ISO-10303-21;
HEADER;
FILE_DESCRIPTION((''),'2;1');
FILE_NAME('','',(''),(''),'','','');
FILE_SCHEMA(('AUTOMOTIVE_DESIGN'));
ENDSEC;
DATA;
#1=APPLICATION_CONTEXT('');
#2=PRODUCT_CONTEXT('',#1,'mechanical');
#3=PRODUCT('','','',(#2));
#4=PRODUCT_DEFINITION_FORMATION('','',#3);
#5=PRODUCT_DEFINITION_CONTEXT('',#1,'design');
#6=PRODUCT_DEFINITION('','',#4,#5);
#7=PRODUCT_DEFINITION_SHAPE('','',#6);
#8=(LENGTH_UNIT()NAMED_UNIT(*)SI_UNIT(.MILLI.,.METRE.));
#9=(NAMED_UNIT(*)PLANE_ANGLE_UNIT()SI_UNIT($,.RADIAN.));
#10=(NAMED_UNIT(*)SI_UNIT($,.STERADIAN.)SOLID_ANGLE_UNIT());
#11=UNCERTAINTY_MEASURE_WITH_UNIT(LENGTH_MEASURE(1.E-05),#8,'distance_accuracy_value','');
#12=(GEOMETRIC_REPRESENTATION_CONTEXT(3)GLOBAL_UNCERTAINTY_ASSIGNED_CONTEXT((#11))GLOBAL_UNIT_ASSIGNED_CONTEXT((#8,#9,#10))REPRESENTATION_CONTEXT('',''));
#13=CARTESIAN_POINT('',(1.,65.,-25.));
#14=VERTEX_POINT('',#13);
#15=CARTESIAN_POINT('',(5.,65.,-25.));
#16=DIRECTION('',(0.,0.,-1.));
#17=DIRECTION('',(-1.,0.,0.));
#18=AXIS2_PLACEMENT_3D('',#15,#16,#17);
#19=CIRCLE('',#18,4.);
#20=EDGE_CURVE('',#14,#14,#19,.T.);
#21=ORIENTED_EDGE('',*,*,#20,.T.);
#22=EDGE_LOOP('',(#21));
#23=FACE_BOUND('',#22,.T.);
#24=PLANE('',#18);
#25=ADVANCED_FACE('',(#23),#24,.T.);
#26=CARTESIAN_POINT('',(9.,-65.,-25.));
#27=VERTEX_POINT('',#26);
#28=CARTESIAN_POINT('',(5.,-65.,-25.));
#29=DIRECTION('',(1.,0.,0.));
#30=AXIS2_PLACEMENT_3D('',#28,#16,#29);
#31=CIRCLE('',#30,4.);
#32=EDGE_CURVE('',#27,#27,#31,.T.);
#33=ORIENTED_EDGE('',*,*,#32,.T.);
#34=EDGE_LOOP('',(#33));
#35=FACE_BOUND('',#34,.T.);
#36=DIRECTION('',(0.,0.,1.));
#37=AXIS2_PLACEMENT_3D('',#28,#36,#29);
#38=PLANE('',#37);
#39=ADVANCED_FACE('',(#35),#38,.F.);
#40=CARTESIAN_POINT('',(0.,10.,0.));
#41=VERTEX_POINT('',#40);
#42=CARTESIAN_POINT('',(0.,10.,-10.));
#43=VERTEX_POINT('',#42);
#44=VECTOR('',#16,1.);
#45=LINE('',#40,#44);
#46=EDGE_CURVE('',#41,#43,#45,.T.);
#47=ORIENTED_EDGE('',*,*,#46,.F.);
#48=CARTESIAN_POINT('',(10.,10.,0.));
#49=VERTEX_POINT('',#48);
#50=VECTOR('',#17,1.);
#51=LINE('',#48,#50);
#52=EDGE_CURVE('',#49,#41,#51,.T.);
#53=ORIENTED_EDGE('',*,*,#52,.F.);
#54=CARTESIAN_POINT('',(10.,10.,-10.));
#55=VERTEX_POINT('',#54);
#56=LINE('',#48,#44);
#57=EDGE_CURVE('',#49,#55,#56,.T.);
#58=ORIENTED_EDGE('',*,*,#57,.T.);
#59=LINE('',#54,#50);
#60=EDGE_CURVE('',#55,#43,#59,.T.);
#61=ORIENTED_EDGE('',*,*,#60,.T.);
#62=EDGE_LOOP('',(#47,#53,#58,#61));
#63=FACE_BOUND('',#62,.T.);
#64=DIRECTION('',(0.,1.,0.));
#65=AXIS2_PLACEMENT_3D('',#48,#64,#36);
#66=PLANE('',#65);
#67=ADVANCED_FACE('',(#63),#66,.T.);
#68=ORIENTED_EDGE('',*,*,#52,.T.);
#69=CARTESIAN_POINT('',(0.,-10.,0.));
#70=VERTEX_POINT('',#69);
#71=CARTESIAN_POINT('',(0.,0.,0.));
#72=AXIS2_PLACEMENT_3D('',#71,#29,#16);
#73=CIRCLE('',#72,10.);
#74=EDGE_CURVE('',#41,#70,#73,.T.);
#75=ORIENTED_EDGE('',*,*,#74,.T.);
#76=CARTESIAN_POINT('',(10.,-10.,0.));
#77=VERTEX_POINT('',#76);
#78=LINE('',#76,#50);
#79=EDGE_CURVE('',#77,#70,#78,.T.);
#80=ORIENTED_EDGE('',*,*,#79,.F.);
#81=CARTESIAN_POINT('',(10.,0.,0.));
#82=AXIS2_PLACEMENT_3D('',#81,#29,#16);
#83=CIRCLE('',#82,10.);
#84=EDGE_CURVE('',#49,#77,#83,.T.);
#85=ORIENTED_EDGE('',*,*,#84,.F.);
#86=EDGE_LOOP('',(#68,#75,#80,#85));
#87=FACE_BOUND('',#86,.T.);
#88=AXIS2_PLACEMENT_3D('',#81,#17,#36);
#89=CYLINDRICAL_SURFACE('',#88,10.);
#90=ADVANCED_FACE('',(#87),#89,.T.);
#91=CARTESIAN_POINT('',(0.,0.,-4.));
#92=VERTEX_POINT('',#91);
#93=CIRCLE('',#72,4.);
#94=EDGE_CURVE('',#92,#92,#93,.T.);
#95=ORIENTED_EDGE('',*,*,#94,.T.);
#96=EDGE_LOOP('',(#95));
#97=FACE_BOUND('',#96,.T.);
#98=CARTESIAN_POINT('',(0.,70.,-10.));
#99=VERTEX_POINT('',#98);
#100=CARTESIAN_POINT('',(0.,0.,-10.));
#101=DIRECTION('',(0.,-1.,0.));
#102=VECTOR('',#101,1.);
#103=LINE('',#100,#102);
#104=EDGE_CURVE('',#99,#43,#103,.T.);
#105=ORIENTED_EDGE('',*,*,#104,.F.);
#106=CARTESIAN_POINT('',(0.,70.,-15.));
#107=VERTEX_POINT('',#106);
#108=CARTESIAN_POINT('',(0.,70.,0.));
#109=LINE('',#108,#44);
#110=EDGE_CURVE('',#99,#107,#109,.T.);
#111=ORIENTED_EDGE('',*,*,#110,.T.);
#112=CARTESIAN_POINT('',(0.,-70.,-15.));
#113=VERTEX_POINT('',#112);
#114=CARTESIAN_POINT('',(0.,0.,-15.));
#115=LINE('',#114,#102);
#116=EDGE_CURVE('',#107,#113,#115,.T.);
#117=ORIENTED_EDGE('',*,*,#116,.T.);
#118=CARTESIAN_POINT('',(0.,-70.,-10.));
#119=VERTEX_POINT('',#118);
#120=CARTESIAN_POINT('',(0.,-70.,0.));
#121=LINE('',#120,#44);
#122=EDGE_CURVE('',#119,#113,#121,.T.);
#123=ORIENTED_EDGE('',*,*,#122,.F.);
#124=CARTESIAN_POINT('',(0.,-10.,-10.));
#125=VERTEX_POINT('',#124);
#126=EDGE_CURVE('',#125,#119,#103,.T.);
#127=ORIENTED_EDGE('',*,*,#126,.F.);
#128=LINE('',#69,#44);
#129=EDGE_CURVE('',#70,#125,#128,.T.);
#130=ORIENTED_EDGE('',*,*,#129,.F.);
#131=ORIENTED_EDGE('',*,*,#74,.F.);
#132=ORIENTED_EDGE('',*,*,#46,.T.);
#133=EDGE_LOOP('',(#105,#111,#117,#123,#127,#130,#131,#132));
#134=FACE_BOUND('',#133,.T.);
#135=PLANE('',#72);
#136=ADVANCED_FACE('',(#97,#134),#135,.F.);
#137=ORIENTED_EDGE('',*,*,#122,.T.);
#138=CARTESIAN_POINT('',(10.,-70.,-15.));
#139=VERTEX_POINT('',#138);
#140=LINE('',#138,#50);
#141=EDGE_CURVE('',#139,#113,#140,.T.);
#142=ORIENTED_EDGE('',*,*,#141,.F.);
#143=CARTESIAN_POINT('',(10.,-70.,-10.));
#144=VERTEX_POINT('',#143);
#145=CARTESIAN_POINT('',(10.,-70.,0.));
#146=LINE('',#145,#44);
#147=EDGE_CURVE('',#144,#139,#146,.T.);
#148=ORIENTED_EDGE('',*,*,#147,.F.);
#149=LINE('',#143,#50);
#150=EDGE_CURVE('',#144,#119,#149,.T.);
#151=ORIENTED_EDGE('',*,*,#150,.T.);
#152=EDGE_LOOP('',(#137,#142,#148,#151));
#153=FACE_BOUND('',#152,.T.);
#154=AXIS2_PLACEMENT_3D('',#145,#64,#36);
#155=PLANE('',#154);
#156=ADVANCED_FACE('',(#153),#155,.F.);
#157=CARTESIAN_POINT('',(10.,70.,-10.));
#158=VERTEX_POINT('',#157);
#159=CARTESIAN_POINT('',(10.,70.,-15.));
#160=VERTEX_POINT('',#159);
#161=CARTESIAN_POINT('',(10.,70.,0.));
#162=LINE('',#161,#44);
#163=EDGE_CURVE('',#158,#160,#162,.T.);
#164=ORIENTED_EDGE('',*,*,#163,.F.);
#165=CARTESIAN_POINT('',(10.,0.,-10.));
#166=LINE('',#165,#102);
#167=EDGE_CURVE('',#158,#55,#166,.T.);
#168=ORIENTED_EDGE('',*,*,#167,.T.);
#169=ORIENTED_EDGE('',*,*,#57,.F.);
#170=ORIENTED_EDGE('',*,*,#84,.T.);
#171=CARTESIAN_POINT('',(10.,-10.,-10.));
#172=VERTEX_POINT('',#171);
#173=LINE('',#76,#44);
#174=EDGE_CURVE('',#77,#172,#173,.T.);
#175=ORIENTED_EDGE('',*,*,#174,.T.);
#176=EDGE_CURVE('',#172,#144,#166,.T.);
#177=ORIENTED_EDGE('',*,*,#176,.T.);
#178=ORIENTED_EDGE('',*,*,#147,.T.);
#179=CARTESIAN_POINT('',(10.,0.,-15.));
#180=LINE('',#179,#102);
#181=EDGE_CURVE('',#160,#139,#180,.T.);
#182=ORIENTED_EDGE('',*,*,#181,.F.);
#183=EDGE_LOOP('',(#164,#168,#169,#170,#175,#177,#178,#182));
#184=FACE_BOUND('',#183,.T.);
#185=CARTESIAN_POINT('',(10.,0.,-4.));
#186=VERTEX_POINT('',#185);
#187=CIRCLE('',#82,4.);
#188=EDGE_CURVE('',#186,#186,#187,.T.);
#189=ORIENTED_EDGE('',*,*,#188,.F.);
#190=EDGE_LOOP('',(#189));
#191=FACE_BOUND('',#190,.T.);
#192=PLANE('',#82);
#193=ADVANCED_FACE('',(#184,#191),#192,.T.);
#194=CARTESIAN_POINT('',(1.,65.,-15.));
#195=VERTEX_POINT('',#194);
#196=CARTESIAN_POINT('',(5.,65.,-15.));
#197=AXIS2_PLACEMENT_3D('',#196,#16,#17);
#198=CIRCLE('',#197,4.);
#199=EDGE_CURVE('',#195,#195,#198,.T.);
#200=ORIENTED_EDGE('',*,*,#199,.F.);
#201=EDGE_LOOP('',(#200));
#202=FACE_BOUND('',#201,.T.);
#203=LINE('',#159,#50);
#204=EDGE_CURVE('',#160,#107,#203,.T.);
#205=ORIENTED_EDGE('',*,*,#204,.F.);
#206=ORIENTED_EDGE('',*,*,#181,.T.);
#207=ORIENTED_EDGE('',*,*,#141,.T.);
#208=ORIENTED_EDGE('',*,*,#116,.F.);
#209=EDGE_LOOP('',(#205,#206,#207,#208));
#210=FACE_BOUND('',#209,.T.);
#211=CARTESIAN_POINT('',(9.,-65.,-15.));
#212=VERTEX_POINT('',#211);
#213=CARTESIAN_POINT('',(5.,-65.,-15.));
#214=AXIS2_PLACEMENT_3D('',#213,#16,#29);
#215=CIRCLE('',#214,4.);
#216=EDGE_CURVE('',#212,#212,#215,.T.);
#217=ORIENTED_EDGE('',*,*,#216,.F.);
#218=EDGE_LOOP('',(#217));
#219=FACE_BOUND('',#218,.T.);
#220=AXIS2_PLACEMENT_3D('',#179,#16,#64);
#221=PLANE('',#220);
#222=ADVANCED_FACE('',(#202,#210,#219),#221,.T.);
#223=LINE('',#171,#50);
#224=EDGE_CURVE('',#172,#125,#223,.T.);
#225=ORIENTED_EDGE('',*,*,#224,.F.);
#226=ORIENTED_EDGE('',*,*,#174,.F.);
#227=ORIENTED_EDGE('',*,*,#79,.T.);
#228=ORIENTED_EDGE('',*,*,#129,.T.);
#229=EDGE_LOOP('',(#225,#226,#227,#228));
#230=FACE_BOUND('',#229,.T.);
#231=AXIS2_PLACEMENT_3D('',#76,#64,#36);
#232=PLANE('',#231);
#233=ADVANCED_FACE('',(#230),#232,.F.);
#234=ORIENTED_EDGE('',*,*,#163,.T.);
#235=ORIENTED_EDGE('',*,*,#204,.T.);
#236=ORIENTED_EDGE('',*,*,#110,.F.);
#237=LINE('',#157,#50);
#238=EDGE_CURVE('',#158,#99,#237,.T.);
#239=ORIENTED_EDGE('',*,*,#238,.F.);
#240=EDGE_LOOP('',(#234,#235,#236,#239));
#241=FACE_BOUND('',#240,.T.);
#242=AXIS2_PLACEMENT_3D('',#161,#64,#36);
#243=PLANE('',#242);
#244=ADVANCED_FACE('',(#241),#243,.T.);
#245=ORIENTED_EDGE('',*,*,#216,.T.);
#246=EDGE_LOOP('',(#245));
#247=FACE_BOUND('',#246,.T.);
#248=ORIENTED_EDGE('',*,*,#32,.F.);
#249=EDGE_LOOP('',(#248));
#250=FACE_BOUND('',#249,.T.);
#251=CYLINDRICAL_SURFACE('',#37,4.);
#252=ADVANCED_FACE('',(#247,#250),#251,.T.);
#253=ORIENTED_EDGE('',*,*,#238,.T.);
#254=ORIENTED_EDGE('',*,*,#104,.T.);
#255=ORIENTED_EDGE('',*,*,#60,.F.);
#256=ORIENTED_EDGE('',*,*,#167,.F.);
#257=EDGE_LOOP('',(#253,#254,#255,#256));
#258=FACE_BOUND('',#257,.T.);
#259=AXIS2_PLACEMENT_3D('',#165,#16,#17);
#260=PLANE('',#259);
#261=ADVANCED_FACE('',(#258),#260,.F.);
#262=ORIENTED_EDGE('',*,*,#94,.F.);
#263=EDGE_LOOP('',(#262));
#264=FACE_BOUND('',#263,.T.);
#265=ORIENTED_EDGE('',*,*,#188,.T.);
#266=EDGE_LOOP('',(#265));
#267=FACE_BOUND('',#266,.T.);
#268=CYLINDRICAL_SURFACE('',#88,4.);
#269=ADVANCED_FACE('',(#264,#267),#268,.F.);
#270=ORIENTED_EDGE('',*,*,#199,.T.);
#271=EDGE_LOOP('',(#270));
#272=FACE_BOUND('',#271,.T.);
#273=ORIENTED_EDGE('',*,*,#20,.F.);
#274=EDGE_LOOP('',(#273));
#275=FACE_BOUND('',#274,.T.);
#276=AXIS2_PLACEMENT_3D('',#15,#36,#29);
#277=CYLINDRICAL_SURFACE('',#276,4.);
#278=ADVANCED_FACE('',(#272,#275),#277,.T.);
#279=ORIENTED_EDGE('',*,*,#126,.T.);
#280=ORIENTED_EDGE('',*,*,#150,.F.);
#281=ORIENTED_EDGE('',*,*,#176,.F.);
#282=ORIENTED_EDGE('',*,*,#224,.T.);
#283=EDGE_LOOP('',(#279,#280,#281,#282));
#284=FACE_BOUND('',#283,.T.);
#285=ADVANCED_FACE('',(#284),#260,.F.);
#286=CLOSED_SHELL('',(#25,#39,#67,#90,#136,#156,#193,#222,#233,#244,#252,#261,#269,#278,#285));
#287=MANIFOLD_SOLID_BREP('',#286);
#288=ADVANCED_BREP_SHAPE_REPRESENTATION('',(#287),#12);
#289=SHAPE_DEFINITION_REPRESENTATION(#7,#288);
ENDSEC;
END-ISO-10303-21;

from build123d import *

# Parameters (mm, degrees)
SKETCH1_R           = 4
BOSS_EXTRUDE1_DEPTH = 10
SKETCH2_R           = 4
BOSS_EXTRUDE2_DEPTH = 10


with BuildPart() as part:
    # Sketch1 → Boss-Extrude1 (new body)
    with BuildSketch(Plane(origin=(0, 0, 0), x_dir=(0, 0, -1), z_dir=(1, 0, 0))):
        with BuildLine():
            Line((10, 70), (10, 10))
            Line((10, 10), (0, 10))
            ThreePointArc((0, 10), (-10, 0), (0, -10))
            Line((0, -10), (10, -10))
            Line((10, -10), (10, -70))
            Line((10, -70), (15, -70))
            Line((15, -70), (15, 70))
            Line((15, 70), (10, 70))
        make_face()
        Circle(SKETCH1_R, mode=Mode.SUBTRACT)
    extrude(amount=BOSS_EXTRUDE1_DEPTH)

    # Sketch2 → Boss-Extrude2 (add)
    with BuildSketch(Plane(origin=(0, 0, -15), x_dir=(-1, 0, 0), z_dir=(0, 0, -1))):
        with Locations((-5, 65)):
            Circle(SKETCH2_R)
        with Locations(Location((-5, -65, 0), (0, 0, 180))):
            Circle(SKETCH2_R)
    extrude(amount=BOSS_EXTRUDE2_DEPTH)


solid = part.part
